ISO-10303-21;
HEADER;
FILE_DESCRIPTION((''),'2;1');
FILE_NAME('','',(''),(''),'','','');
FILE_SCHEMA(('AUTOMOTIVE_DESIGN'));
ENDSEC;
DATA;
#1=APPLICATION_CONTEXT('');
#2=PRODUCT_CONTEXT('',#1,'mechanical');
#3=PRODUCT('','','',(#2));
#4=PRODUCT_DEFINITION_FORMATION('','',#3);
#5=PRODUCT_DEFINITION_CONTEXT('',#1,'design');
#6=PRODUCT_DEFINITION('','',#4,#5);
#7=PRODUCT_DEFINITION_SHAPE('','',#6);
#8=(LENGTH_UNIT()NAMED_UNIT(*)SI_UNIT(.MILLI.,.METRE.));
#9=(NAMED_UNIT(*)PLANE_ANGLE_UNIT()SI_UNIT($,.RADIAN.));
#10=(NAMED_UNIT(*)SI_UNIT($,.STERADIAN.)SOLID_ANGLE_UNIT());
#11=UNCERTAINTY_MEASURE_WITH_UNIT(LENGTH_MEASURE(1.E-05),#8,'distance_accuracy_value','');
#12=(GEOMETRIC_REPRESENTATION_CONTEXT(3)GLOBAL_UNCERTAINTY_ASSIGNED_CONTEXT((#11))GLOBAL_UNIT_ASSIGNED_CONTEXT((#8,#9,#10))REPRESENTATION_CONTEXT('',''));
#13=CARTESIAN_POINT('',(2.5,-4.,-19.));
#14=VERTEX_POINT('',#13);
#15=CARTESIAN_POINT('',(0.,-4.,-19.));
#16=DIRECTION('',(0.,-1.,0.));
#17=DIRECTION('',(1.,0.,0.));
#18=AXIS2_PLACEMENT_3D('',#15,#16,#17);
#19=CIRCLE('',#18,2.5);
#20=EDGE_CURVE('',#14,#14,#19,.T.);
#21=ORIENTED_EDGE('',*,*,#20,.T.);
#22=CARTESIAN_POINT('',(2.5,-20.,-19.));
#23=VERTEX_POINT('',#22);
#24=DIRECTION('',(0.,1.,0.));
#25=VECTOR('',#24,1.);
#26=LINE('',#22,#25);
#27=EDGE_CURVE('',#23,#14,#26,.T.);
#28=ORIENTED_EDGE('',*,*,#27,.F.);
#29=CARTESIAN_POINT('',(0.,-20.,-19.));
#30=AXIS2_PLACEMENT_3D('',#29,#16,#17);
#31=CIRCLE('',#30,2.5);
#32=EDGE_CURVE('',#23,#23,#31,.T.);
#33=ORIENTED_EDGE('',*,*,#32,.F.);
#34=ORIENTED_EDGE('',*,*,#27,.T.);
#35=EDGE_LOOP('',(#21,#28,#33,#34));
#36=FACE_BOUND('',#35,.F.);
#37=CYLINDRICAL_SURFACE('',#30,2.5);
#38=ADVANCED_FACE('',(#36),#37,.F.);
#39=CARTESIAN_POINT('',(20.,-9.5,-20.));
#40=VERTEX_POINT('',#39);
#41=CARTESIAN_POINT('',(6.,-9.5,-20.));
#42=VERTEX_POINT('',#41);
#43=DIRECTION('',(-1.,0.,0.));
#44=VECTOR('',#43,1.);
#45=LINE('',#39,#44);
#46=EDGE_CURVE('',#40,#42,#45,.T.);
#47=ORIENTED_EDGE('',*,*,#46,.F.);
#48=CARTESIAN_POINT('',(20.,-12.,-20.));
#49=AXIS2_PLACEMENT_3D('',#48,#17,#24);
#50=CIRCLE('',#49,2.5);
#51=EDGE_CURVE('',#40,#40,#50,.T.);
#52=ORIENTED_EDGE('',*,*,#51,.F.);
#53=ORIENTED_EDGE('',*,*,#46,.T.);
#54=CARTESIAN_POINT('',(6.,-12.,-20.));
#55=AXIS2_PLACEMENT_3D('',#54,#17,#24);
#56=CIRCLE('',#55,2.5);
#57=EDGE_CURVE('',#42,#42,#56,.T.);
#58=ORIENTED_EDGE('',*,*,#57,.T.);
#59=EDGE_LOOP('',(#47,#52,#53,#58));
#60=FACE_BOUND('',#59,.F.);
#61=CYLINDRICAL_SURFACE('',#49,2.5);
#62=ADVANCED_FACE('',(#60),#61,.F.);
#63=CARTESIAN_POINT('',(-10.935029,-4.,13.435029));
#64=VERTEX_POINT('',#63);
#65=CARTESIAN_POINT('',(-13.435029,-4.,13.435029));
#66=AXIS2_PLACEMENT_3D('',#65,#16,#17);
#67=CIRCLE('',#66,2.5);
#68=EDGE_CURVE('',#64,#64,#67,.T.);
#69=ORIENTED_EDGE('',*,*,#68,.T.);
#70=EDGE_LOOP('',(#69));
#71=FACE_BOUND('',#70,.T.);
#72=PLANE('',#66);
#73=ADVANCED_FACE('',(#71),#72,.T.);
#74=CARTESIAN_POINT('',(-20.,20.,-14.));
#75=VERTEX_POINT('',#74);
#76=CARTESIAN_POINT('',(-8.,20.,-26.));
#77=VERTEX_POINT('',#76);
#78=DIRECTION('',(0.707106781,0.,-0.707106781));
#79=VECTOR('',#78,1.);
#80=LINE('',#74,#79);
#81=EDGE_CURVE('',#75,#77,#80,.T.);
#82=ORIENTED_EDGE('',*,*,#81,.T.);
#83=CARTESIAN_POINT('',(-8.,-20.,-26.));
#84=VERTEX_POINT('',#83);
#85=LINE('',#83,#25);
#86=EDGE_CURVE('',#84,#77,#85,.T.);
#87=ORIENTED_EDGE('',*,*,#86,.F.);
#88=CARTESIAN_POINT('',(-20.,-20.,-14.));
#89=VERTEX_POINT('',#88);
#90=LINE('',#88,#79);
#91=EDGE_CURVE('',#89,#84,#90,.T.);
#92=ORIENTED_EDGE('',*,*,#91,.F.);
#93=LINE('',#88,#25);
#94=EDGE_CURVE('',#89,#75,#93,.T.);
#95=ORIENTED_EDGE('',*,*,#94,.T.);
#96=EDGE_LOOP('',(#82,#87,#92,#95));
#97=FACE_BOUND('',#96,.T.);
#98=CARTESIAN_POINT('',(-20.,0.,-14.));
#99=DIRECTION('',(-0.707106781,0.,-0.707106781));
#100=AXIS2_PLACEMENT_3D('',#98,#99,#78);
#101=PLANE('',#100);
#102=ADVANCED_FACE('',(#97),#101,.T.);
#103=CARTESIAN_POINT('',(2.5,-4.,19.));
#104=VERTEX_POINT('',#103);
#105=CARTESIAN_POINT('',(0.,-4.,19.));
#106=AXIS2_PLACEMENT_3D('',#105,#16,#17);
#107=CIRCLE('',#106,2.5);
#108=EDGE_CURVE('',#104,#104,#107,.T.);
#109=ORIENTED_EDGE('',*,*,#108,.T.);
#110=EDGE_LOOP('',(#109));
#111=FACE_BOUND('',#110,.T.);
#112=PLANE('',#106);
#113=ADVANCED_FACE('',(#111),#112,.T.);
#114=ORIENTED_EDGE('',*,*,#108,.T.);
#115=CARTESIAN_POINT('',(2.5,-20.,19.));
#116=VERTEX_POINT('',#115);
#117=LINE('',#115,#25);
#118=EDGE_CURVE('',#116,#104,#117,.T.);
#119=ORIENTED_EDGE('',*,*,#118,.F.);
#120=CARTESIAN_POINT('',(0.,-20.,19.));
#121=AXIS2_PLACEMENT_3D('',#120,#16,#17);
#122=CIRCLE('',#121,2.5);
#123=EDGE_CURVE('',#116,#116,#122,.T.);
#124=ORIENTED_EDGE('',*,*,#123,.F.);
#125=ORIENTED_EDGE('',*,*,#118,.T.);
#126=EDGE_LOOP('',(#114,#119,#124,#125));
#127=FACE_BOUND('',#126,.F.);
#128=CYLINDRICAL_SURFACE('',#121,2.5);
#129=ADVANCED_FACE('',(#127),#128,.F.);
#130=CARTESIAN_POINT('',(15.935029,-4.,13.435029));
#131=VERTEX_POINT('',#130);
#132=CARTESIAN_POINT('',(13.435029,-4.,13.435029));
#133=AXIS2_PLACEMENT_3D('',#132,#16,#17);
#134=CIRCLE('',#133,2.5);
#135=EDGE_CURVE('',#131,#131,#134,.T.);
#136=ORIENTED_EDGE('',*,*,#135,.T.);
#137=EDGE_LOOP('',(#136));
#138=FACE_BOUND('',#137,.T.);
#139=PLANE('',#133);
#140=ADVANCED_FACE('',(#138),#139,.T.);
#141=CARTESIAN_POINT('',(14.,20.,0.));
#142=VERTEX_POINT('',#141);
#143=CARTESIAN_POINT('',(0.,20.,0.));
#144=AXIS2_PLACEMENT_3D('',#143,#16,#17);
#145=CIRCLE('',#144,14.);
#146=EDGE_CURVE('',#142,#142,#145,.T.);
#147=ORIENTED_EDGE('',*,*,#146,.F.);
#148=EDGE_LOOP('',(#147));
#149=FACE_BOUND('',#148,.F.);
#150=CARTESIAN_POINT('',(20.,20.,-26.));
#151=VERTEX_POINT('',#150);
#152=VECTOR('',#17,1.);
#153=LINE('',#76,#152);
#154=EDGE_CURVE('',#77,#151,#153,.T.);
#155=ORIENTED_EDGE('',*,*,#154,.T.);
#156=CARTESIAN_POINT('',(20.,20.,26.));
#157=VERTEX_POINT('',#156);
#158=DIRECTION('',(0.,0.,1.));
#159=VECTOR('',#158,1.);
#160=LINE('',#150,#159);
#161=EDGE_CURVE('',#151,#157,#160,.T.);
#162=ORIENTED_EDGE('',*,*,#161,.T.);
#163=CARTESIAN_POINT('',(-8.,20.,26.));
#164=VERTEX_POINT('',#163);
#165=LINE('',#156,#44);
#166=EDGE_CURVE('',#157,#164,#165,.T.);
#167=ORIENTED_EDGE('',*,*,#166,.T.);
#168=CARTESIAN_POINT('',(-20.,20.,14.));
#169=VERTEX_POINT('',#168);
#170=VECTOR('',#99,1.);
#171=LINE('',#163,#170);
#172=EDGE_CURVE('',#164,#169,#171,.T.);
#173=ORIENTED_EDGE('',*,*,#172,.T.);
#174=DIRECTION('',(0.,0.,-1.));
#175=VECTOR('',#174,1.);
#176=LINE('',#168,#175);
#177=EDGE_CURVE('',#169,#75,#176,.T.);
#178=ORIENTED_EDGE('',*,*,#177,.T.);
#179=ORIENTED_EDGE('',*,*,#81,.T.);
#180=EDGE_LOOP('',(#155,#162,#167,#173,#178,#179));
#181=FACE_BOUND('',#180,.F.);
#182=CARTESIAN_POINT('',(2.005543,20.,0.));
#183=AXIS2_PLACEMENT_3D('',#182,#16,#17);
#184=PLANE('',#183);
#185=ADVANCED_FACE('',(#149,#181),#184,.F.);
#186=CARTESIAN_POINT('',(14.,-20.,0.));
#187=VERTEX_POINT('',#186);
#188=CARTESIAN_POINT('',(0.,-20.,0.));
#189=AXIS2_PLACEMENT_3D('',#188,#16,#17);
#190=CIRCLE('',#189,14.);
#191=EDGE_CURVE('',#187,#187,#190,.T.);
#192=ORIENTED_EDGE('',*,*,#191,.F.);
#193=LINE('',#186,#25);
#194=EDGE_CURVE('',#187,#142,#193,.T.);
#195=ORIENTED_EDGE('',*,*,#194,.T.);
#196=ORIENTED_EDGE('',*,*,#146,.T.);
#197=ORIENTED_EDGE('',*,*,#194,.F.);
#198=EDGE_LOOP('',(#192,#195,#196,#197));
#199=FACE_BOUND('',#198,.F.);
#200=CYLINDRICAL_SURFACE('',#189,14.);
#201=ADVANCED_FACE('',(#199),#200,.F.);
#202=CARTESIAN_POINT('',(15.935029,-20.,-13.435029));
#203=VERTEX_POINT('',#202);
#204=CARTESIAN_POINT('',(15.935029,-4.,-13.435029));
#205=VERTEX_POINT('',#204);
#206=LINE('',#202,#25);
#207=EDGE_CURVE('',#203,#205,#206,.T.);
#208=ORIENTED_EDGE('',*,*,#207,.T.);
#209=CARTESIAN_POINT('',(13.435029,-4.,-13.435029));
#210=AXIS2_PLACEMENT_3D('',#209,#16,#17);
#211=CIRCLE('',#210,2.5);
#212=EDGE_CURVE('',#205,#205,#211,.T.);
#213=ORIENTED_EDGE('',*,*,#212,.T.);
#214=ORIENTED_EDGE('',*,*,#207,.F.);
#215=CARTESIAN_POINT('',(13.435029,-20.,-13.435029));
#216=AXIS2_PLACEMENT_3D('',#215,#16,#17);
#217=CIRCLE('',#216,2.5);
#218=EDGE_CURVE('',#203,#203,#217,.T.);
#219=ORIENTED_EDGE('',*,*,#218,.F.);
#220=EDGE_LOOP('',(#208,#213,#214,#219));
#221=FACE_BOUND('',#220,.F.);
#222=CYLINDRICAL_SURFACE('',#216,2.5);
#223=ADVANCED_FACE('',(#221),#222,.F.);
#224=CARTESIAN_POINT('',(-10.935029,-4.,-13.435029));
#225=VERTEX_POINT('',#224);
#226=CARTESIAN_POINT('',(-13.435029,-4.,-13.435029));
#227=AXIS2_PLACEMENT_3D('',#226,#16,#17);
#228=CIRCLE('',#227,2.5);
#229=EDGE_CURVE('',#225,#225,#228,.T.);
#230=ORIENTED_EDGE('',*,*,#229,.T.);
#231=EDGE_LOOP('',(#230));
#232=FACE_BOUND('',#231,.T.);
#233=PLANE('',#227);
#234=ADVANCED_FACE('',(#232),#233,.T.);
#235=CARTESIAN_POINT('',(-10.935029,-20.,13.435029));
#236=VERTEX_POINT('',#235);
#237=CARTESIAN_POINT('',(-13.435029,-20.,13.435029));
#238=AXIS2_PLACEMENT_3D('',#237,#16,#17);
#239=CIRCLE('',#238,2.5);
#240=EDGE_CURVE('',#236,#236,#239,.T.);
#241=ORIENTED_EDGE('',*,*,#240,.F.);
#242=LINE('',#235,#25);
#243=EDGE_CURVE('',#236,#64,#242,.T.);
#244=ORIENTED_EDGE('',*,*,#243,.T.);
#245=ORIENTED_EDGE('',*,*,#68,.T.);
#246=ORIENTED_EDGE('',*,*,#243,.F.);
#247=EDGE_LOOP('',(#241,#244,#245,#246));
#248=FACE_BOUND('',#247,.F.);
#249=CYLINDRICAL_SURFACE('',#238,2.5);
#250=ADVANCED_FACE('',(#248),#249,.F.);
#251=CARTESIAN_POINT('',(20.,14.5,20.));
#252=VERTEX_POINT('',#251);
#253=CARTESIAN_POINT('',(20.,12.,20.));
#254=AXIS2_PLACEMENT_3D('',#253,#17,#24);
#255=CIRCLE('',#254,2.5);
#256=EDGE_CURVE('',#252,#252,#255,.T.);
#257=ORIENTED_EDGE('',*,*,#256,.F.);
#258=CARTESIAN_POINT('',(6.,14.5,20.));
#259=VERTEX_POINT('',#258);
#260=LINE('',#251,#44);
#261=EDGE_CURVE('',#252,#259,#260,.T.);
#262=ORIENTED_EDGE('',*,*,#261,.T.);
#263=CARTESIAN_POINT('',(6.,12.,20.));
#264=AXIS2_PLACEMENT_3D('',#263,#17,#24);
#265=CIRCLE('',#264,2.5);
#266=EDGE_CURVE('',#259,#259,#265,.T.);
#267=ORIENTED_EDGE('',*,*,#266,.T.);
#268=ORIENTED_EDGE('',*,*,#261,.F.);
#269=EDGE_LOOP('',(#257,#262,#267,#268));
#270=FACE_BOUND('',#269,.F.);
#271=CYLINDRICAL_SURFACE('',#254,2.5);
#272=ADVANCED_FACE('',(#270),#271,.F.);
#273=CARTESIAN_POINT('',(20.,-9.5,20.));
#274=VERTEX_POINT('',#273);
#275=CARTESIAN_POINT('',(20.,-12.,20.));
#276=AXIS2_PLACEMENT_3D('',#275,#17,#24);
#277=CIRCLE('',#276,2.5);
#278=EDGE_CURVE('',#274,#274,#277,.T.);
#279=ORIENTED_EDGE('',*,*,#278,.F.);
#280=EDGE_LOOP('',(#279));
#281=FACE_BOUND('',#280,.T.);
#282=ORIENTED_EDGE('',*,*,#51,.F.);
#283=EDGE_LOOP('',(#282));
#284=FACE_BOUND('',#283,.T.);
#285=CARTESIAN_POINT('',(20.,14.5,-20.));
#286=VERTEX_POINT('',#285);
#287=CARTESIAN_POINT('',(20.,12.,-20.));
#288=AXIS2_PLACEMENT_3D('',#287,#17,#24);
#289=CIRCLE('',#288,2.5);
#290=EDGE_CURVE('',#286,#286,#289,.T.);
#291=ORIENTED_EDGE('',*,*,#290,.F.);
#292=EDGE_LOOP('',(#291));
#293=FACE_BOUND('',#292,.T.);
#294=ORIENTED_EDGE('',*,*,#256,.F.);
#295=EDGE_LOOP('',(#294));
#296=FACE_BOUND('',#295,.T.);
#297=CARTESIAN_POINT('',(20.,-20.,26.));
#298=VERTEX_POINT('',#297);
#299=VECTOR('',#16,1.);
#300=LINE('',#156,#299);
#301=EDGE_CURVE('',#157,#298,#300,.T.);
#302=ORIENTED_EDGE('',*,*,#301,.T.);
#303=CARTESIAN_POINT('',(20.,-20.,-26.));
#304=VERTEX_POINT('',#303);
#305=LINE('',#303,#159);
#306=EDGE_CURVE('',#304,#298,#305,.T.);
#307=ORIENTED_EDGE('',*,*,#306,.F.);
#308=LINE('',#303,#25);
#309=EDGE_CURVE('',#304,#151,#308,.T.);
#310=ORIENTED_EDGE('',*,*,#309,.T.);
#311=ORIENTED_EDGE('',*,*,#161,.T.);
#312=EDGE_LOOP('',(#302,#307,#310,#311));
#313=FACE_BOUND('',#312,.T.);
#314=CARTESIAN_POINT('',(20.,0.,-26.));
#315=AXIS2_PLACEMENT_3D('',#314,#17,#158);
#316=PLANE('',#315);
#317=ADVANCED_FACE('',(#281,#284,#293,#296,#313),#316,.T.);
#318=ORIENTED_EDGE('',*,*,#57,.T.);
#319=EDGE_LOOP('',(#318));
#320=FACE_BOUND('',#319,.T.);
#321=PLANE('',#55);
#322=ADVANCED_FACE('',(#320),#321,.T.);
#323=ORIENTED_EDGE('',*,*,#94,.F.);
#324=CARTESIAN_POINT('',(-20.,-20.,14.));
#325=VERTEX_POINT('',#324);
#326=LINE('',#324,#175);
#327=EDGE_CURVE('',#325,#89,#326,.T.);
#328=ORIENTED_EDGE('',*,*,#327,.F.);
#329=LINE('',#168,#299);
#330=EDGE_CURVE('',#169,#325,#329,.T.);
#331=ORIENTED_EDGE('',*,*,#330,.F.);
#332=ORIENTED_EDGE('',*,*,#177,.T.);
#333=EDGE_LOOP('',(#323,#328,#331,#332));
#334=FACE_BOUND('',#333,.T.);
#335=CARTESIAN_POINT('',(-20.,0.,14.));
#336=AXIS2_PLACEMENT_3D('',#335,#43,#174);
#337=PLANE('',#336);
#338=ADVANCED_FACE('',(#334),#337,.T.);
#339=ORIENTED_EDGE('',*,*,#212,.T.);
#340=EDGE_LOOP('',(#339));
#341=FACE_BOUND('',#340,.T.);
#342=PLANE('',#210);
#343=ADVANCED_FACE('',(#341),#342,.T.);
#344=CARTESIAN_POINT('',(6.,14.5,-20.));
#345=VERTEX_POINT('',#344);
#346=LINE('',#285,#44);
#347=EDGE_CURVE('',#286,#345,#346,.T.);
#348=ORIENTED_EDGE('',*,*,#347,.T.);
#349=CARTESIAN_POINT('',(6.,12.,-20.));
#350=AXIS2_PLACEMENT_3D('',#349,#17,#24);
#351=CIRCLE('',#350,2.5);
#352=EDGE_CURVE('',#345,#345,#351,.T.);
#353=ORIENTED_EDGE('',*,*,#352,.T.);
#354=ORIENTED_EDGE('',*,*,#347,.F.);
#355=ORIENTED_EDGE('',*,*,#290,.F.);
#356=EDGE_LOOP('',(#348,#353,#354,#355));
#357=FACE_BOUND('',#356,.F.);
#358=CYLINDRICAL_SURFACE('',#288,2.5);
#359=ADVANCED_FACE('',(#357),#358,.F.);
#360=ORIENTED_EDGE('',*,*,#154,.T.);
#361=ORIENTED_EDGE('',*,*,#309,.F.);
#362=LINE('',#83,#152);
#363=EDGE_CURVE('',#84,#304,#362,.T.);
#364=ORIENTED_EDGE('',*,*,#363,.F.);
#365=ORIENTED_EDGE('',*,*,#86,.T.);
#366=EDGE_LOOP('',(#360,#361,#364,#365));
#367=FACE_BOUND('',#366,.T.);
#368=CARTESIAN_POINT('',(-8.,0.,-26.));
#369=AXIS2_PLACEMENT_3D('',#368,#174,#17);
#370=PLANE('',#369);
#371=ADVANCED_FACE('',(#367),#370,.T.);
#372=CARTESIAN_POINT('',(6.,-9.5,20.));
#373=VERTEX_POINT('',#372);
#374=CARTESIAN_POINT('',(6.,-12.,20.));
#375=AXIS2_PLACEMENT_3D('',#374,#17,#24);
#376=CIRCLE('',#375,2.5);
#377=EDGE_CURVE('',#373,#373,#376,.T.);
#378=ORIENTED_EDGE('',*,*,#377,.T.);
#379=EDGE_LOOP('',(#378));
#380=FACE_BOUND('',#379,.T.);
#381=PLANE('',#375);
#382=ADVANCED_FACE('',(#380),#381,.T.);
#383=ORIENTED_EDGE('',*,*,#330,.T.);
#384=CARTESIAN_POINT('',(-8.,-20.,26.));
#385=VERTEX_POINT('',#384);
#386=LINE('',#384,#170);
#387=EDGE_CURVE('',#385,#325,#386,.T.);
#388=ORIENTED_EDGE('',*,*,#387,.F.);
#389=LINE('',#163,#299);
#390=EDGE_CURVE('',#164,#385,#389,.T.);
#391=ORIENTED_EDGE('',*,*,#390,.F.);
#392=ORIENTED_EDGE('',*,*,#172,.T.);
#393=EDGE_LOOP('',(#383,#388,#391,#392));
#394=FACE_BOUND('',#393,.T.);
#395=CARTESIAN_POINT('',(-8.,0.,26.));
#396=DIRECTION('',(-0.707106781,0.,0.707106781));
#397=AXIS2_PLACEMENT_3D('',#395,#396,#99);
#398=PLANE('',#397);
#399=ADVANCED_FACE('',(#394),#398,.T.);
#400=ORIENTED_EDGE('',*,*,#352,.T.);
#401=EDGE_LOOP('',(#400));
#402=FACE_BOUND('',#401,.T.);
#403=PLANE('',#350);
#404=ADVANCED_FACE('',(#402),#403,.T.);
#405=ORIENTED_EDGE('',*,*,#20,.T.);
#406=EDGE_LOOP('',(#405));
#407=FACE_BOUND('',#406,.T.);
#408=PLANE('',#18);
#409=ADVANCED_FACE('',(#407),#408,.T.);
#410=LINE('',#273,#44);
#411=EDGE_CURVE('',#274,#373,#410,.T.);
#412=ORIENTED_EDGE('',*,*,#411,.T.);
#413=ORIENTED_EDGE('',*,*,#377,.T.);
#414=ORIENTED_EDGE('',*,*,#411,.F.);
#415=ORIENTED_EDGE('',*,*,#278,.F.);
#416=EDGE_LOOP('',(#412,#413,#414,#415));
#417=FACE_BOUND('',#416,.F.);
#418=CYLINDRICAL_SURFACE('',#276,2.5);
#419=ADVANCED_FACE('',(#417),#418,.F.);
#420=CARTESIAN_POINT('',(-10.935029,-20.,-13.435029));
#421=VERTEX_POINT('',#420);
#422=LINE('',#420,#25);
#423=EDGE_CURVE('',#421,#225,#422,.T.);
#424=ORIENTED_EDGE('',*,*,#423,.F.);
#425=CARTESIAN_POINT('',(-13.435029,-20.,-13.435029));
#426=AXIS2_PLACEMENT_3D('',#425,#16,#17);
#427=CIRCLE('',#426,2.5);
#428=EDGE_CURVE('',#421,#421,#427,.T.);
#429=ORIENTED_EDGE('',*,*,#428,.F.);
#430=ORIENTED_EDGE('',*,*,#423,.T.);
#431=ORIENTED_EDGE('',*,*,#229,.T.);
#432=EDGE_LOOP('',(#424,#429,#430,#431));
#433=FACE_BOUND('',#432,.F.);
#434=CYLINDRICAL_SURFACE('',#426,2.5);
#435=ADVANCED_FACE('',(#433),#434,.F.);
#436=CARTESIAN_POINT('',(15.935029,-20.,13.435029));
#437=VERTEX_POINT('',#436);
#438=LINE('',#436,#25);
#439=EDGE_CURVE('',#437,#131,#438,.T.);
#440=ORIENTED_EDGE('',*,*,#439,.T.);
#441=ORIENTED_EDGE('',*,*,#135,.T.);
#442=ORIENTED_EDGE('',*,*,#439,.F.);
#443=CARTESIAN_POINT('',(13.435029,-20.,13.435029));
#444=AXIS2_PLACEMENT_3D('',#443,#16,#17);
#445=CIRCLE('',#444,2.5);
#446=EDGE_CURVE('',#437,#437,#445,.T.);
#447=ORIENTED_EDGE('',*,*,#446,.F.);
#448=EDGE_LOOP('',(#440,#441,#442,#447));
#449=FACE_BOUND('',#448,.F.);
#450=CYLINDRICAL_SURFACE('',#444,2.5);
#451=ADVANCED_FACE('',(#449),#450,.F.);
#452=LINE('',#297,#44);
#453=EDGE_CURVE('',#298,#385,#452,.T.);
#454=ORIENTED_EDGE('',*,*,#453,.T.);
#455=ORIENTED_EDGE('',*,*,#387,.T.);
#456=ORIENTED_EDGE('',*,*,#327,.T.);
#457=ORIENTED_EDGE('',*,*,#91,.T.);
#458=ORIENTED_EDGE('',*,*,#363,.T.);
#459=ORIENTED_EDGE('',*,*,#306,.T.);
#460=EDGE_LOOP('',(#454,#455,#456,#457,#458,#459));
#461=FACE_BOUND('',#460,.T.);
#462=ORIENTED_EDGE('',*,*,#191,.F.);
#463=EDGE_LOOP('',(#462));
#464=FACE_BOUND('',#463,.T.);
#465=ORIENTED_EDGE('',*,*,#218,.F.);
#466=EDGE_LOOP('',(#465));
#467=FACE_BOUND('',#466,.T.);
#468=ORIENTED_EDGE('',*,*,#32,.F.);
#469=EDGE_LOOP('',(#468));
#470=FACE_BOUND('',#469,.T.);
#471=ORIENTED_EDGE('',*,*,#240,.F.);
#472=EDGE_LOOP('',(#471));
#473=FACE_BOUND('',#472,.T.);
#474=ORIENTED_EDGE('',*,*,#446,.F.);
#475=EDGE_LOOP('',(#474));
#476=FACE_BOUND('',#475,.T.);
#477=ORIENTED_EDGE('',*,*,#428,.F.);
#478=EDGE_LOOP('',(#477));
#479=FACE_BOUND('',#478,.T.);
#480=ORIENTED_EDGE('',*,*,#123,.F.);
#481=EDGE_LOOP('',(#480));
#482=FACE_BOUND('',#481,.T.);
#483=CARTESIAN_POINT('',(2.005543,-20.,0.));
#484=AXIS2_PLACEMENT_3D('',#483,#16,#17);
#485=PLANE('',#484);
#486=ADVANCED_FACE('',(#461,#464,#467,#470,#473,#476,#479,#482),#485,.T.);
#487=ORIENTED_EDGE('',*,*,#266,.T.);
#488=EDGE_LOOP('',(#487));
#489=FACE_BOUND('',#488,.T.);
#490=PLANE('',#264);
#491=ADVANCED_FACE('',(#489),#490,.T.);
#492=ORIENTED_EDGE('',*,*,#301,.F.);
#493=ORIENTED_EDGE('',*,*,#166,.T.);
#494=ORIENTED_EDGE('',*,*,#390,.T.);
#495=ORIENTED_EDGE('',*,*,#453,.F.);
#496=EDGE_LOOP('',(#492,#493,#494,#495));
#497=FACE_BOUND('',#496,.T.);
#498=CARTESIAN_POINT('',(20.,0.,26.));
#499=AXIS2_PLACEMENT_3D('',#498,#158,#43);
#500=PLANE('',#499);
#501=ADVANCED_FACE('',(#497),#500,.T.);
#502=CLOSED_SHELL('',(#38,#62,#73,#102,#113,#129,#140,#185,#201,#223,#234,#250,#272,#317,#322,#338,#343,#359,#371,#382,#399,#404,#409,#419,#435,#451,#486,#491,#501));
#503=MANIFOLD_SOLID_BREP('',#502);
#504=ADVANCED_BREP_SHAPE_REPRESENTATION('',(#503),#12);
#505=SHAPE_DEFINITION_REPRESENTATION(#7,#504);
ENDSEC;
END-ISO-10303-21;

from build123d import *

# Parameters (mm, degrees)
F1_DEPTH = 20
F2_R     = 14
F3_DEPTH = 40
F4_R     = 2.5
F5_DEPTH = 16
F6_R     = 2.5
F7_DEPTH = 14


with BuildPart() as f1:
    # F0 (on Front) → F1 (new body, symmetric)
    with BuildSketch(Plane.XZ):
        Polygon((20, -26), (20, 26), (-8, 26), (-20, 14), (-20, -14), (-8, -26), align=None)
    extrude(amount=F1_DEPTH, both=True)

    # F2 (on face) → F3 (cut)
    with BuildSketch(Plane.XZ.offset(20)):
        Circle(F2_R)
    extrude(amount=-F3_DEPTH, mode=Mode.SUBTRACT)

    # F4 (on face) → F5 (cut)
    with BuildSketch(Plane.XZ.offset(20)):
        with Locations((-13.435029, 13.435029)):
            Circle(F4_R)
        with Locations((13.435029, 13.435029)):
            Circle(F4_R)
        with Locations((-13.435029, -13.435029)):
            Circle(F4_R)
        with Locations((13.435029, -13.435029)):
            Circle(F4_R)
        with Locations((0, 19)):
            Circle(F4_R)
        with Locations((0, -19)):
            Circle(F4_R)
    extrude(amount=-F5_DEPTH, mode=Mode.SUBTRACT)

    # F6 (on face) → F7 (cut)
    with BuildSketch(Plane.YZ.offset(20)):
        with Locations((-12, 20)):
            Circle(F6_R)
        with Locations((12, 20)):
            Circle(F6_R)
        with Locations((12, -20)):
            Circle(F6_R)
        with Locations((-12, -20)):
            Circle(F6_R)
    extrude(amount=-F7_DEPTH, mode=Mode.SUBTRACT)


solid = f1.part
